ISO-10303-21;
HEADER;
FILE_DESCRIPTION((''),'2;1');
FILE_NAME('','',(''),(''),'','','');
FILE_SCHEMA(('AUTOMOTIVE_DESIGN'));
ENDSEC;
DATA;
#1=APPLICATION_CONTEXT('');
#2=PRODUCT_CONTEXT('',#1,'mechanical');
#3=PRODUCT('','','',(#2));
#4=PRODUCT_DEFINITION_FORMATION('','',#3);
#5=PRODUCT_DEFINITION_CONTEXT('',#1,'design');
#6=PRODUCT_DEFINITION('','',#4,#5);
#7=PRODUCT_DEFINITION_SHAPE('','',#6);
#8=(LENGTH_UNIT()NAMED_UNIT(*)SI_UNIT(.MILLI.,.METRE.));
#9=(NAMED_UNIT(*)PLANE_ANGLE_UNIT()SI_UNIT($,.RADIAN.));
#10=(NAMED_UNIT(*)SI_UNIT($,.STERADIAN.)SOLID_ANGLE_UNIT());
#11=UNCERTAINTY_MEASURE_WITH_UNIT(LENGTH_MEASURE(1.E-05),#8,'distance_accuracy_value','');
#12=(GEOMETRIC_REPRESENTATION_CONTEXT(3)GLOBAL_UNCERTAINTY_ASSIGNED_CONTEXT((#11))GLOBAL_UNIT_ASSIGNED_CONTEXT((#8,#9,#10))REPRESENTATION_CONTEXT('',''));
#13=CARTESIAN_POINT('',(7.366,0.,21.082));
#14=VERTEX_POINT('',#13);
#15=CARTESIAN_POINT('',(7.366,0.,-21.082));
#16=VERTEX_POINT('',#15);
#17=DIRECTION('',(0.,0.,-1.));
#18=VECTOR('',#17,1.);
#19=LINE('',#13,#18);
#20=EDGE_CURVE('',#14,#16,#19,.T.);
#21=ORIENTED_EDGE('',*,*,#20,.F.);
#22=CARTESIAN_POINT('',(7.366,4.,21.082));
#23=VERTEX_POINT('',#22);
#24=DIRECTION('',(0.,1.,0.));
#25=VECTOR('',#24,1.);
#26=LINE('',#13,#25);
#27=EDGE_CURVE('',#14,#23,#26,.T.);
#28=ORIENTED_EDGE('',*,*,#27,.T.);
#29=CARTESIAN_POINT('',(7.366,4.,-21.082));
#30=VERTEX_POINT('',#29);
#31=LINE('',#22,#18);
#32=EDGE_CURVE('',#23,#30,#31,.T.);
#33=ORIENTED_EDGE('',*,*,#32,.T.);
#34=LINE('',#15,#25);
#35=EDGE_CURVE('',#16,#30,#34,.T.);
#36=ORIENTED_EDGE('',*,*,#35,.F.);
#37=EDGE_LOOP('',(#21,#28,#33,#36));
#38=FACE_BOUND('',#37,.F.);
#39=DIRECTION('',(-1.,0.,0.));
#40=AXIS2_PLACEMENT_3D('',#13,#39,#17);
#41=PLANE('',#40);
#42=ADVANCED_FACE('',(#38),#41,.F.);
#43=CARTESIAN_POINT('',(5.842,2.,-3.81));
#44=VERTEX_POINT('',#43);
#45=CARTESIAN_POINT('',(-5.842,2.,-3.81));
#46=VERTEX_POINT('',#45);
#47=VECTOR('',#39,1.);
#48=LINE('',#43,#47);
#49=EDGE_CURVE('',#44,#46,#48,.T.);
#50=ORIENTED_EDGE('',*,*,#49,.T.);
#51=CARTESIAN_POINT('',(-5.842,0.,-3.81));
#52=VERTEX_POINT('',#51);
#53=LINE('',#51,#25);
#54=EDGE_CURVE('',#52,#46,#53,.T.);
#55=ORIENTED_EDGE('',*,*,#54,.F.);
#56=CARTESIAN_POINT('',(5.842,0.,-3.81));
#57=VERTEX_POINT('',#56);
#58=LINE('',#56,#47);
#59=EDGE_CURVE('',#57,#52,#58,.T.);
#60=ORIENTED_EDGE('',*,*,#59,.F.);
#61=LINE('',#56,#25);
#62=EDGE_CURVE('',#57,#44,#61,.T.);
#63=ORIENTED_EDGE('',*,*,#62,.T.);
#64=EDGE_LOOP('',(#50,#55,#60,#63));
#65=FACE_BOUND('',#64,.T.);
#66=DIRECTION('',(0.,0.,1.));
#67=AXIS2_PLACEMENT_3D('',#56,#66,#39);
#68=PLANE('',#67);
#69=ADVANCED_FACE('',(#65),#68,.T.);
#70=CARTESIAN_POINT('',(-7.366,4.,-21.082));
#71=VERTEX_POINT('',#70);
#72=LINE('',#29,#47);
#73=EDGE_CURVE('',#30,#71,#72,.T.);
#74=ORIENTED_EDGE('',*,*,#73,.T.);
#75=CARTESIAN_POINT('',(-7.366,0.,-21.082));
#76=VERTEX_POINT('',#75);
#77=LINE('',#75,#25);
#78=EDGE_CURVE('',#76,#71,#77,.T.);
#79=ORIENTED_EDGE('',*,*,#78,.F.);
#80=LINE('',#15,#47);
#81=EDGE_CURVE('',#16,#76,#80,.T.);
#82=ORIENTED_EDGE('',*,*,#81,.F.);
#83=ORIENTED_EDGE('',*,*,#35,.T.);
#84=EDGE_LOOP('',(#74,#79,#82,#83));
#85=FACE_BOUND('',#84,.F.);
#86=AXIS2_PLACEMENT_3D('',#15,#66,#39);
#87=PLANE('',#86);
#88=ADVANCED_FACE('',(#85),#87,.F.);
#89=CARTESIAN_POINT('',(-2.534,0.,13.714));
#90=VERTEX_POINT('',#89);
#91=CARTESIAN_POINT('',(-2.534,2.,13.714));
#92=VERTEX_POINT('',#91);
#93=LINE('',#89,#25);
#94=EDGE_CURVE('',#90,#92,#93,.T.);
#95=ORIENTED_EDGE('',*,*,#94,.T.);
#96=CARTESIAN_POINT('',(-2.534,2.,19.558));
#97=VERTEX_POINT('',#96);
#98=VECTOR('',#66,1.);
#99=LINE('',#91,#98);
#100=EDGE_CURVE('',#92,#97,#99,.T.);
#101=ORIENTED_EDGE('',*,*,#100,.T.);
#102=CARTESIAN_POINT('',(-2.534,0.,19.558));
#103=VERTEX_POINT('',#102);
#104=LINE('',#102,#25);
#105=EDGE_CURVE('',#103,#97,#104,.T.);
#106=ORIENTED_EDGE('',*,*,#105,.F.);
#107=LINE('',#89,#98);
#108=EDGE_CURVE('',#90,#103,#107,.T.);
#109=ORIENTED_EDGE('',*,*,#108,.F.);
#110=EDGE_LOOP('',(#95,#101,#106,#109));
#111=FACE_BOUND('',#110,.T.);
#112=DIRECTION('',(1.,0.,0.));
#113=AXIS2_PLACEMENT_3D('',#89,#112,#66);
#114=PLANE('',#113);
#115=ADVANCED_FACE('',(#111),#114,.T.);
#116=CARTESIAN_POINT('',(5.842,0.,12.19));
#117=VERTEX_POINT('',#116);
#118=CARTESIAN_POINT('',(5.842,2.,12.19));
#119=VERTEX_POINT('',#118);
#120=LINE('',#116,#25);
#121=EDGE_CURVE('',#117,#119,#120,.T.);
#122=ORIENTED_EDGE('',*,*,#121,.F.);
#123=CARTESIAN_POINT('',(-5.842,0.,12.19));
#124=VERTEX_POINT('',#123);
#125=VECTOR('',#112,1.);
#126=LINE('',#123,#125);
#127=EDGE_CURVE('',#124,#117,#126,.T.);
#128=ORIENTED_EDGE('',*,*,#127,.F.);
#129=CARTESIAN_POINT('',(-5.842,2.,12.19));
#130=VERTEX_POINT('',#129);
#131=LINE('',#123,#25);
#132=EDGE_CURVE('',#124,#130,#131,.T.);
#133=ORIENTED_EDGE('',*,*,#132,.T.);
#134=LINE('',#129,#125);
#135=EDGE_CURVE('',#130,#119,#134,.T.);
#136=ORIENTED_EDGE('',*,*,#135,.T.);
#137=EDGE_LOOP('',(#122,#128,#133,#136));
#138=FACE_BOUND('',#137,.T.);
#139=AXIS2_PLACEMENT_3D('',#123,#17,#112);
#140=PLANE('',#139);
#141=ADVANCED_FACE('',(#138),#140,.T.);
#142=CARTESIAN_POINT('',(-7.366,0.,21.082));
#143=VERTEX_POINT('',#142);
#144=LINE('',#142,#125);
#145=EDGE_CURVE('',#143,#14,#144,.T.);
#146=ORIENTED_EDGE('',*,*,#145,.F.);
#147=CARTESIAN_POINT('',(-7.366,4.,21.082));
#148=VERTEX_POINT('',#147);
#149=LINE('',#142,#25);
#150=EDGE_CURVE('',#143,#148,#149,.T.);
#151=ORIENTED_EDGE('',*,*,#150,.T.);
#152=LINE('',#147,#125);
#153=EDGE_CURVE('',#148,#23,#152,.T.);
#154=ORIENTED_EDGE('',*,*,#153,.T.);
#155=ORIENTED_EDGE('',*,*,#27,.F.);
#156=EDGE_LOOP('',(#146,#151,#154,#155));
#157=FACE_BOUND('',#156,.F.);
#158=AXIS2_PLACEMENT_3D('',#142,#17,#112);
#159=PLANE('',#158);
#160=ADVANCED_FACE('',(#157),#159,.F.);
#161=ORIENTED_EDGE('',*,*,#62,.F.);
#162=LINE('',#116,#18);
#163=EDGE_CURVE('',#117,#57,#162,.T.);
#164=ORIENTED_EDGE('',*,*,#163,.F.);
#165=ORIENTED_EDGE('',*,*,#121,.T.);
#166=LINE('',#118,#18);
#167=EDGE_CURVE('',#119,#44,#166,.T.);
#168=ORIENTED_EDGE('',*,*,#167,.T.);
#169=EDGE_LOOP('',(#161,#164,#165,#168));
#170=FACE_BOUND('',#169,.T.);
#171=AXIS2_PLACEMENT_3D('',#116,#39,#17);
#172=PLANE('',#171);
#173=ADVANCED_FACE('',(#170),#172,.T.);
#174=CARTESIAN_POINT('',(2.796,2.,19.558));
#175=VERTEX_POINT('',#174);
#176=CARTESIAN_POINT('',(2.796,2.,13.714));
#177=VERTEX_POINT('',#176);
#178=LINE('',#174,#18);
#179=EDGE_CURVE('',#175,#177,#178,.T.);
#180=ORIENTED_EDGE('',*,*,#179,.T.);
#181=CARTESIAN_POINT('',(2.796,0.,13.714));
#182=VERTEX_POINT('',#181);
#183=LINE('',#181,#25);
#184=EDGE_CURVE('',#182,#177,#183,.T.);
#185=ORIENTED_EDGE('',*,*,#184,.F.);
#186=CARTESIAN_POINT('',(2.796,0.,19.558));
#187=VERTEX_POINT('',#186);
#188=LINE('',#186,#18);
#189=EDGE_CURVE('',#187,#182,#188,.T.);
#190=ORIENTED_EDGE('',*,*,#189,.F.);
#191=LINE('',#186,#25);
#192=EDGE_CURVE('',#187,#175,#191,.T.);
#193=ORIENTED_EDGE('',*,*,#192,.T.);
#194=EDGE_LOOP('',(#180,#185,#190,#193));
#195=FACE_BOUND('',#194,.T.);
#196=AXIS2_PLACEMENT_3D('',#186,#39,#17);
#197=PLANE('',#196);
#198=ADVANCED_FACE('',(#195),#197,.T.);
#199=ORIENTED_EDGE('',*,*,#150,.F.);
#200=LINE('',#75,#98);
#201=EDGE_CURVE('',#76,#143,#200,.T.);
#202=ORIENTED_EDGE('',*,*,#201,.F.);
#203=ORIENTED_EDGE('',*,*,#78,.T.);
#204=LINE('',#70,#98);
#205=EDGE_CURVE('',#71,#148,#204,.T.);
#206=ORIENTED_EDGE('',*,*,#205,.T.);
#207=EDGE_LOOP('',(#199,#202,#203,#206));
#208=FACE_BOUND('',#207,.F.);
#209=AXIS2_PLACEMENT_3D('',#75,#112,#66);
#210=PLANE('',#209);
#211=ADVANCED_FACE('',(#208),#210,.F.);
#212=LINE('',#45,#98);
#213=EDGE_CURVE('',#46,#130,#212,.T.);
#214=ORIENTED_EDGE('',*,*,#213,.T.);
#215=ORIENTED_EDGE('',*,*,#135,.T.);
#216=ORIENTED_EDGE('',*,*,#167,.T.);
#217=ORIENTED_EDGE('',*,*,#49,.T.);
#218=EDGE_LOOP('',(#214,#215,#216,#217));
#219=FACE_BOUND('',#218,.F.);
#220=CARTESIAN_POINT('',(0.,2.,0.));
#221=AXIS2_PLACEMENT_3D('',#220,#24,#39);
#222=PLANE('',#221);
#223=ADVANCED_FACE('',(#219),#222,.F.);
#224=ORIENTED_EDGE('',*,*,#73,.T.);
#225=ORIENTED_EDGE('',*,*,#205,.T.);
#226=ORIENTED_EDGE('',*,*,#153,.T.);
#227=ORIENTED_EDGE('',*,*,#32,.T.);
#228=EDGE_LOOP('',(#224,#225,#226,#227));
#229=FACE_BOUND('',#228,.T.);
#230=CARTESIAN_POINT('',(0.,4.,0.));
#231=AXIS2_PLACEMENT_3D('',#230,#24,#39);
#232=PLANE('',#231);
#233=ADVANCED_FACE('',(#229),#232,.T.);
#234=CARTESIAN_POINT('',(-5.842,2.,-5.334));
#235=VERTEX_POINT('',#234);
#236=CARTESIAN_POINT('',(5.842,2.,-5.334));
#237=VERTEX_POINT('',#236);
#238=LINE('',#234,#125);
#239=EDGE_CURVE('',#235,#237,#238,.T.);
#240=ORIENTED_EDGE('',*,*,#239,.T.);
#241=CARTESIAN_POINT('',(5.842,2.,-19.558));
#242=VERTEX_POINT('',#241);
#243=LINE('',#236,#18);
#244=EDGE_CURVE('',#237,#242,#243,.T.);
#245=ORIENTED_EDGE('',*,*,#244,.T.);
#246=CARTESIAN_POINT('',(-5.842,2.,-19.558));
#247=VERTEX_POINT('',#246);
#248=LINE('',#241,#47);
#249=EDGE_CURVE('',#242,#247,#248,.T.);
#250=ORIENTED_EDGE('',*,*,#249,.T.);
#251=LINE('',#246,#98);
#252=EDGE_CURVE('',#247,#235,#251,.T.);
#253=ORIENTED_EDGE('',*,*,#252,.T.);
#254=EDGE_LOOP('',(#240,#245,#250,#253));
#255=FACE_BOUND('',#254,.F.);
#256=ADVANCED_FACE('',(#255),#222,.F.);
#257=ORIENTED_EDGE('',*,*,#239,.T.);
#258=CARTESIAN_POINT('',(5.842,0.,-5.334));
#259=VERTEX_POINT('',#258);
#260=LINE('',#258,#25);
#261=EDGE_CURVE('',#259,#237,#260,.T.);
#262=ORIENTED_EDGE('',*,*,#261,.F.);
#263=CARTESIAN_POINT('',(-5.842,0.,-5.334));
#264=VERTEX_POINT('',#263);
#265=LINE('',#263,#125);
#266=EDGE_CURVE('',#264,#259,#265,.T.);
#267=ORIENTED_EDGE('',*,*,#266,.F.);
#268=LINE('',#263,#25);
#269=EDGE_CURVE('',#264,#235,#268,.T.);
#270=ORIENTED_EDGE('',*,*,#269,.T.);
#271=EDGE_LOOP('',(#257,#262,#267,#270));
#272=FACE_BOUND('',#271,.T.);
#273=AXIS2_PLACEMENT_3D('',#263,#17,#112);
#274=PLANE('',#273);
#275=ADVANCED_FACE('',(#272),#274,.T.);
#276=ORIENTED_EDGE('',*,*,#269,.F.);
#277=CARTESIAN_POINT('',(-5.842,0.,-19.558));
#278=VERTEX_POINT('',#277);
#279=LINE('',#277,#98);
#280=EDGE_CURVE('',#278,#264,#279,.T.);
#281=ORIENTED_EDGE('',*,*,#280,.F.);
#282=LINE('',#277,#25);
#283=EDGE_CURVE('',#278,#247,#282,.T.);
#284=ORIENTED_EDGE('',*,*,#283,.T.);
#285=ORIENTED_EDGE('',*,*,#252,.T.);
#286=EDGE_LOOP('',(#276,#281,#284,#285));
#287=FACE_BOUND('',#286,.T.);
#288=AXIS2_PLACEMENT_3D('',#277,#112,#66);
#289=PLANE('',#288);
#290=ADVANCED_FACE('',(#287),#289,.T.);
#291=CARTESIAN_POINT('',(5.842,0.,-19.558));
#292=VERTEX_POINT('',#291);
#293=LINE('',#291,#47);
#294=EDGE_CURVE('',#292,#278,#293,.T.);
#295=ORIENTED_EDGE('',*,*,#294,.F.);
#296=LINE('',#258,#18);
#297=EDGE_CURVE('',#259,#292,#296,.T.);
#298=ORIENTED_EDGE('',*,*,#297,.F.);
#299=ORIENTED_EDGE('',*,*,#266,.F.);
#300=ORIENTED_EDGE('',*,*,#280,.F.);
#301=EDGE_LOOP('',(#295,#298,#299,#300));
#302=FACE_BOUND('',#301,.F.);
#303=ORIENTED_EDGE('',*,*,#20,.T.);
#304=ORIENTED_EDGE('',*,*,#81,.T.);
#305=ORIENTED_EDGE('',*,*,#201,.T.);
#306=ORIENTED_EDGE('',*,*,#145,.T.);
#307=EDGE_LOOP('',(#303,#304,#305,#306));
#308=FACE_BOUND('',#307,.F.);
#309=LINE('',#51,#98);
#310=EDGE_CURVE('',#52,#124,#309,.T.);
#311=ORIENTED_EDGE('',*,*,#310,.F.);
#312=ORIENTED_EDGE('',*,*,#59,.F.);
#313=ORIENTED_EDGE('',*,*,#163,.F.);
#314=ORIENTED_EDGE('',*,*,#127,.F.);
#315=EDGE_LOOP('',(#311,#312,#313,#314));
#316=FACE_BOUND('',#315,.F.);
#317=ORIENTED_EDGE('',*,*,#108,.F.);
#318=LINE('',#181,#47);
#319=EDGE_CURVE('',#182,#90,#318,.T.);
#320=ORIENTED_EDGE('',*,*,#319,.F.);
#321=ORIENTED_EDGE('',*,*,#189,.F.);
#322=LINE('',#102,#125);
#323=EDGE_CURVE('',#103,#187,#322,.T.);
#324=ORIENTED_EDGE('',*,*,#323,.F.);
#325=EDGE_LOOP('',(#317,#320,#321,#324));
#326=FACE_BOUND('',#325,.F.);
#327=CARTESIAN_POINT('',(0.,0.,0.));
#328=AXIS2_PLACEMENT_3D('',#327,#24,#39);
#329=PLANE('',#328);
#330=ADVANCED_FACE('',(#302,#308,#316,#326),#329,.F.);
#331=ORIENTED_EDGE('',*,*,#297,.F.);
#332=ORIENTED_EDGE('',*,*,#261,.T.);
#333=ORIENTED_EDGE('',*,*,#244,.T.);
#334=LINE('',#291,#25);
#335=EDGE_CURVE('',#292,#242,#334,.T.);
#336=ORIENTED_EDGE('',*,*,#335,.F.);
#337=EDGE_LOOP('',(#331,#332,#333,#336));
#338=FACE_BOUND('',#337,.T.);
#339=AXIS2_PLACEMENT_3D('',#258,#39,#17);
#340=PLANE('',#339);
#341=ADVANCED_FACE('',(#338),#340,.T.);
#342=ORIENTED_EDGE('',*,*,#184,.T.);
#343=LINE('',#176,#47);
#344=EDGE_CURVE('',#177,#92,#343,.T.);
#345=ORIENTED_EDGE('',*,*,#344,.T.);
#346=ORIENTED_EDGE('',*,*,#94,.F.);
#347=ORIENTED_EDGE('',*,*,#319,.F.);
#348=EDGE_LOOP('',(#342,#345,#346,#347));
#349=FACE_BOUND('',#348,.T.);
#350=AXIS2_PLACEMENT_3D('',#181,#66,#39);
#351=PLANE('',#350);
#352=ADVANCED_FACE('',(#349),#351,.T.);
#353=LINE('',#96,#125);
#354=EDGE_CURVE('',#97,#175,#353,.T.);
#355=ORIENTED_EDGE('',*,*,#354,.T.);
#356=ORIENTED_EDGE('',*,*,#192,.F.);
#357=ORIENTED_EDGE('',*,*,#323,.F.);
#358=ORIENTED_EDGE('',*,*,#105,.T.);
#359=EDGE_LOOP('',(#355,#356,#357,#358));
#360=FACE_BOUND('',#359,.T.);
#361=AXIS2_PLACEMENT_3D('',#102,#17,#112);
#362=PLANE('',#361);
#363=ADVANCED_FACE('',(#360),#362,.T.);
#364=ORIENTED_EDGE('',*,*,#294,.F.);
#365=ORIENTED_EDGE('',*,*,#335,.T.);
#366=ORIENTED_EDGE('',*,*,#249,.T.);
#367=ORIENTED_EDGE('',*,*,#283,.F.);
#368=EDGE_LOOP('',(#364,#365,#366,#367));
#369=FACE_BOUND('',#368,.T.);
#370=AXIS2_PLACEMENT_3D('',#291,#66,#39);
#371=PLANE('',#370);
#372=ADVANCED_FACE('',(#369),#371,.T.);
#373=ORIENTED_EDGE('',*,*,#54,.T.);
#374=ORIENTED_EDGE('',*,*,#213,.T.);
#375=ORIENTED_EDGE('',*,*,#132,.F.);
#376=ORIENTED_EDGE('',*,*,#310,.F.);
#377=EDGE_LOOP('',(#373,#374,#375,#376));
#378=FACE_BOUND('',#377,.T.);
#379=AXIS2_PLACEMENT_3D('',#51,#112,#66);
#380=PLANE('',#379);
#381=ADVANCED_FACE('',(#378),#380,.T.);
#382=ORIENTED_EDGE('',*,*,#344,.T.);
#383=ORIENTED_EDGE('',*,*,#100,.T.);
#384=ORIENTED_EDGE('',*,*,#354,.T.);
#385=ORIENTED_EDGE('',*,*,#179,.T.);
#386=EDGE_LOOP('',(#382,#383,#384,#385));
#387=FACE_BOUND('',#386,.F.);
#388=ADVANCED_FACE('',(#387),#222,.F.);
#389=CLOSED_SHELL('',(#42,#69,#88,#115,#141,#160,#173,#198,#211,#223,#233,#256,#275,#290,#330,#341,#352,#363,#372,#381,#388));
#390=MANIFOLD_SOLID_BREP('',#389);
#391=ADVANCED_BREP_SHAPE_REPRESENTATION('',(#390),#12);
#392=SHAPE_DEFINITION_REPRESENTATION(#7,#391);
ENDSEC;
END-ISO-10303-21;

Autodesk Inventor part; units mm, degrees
ref_plane "YZ Plane" through (0, 0, 0) normal (1, 0, 0) x (0, 1, 0)
ref_plane "XZ Plane" through (0, 0, 0) normal (0, 1, 0) x (-1, 0, 0)
ref_plane "XY Plane" through (0, 0, 0) normal (0, 0, 1) x (1, 0, 0)
sketch "Sketch1" plane through (0, 0, 0) normal (0, 1, 0) x (-1, 0, 0)
  line L0 (7.366, 21.082) -> (-7.366, 21.082)
  line L1 (-7.366, 21.082) -> (-7.366, -21.082)
  line L2 (-7.366, -21.082) -> (7.366, -21.082)
  line L3 (7.366, -21.082) -> (7.366, 21.082)
  point P0 (0, 0)
  dimension "d0" = 42.164
  dimension "d1" = 21.082
  dimension "d2" = 7.366
  dimension "d3" = 14.732
extrude "Extrusion1" add sketch "Sketch1" along normal blind 4
sketch "Sketch3" plane through (0, 0, 0) normal (0, 1, 0) x (-1, 0, 0)
  line L0 (7.366, 21.082) -> (-7.366, 21.082)
  line L1 (-7.366, 21.082) -> (-7.366, -21.082)
  line L2 (-7.366, -21.082) -> (7.366, -21.082)
  line L3 (7.366, -21.082) -> (7.366, 21.082)
  line L4 (2.534, 19.558) -> (-2.796, 19.558)
  line L5 (-2.796, 19.558) -> (-2.796, 13.714)
  line L6 (-2.796, 13.714) -> (2.534, 13.714)
  line L7 (2.534, 13.714) -> (2.534, 19.558)
  line L8 (5.842, 12.19) -> (-5.842, 12.19)
  line L9 (-5.842, 12.19) -> (-5.842, -3.81)
  line L10 (-5.842, -3.81) -> (5.842, -3.81)
  line L11 (5.842, -3.81) -> (5.842, 12.19)
  line L12 (5.842, -5.334) -> (-5.842, -5.334)
  line L13 (-5.842, -5.334) -> (-5.842, -19.558)
  line L14 (-5.842, -19.558) -> (5.842, -19.558)
  line L15 (5.842, -19.558) -> (5.842, -5.334)
  point P0 (0, 0)
  dimension "d6" = 42.164
  dimension "d7" = 21.082
  dimension "d8" = 14.732
  dimension "d9" = 7.366
  dimension "d10" = 1.524
  dimension "d11" = 1.524
  dimension "d12" = 1.524
  dimension "d13" = 1.524
  dimension "d14" = 1.524
  dimension "d15" = 16
  dimension "d16" = 1.524
  dimension "d17" = 14.224
  dimension "d18" = 1.524
  dimension "d19" = 4.57
  dimension "d20" = 5.33
extrude "Extrusion2" cut sketch "Sketch3" along normal blind 2 contours L7 L6 L5 L4 | L11 L10 L9 L8 | L15 L14 L13 L12
properties part number "NoiseCan"
